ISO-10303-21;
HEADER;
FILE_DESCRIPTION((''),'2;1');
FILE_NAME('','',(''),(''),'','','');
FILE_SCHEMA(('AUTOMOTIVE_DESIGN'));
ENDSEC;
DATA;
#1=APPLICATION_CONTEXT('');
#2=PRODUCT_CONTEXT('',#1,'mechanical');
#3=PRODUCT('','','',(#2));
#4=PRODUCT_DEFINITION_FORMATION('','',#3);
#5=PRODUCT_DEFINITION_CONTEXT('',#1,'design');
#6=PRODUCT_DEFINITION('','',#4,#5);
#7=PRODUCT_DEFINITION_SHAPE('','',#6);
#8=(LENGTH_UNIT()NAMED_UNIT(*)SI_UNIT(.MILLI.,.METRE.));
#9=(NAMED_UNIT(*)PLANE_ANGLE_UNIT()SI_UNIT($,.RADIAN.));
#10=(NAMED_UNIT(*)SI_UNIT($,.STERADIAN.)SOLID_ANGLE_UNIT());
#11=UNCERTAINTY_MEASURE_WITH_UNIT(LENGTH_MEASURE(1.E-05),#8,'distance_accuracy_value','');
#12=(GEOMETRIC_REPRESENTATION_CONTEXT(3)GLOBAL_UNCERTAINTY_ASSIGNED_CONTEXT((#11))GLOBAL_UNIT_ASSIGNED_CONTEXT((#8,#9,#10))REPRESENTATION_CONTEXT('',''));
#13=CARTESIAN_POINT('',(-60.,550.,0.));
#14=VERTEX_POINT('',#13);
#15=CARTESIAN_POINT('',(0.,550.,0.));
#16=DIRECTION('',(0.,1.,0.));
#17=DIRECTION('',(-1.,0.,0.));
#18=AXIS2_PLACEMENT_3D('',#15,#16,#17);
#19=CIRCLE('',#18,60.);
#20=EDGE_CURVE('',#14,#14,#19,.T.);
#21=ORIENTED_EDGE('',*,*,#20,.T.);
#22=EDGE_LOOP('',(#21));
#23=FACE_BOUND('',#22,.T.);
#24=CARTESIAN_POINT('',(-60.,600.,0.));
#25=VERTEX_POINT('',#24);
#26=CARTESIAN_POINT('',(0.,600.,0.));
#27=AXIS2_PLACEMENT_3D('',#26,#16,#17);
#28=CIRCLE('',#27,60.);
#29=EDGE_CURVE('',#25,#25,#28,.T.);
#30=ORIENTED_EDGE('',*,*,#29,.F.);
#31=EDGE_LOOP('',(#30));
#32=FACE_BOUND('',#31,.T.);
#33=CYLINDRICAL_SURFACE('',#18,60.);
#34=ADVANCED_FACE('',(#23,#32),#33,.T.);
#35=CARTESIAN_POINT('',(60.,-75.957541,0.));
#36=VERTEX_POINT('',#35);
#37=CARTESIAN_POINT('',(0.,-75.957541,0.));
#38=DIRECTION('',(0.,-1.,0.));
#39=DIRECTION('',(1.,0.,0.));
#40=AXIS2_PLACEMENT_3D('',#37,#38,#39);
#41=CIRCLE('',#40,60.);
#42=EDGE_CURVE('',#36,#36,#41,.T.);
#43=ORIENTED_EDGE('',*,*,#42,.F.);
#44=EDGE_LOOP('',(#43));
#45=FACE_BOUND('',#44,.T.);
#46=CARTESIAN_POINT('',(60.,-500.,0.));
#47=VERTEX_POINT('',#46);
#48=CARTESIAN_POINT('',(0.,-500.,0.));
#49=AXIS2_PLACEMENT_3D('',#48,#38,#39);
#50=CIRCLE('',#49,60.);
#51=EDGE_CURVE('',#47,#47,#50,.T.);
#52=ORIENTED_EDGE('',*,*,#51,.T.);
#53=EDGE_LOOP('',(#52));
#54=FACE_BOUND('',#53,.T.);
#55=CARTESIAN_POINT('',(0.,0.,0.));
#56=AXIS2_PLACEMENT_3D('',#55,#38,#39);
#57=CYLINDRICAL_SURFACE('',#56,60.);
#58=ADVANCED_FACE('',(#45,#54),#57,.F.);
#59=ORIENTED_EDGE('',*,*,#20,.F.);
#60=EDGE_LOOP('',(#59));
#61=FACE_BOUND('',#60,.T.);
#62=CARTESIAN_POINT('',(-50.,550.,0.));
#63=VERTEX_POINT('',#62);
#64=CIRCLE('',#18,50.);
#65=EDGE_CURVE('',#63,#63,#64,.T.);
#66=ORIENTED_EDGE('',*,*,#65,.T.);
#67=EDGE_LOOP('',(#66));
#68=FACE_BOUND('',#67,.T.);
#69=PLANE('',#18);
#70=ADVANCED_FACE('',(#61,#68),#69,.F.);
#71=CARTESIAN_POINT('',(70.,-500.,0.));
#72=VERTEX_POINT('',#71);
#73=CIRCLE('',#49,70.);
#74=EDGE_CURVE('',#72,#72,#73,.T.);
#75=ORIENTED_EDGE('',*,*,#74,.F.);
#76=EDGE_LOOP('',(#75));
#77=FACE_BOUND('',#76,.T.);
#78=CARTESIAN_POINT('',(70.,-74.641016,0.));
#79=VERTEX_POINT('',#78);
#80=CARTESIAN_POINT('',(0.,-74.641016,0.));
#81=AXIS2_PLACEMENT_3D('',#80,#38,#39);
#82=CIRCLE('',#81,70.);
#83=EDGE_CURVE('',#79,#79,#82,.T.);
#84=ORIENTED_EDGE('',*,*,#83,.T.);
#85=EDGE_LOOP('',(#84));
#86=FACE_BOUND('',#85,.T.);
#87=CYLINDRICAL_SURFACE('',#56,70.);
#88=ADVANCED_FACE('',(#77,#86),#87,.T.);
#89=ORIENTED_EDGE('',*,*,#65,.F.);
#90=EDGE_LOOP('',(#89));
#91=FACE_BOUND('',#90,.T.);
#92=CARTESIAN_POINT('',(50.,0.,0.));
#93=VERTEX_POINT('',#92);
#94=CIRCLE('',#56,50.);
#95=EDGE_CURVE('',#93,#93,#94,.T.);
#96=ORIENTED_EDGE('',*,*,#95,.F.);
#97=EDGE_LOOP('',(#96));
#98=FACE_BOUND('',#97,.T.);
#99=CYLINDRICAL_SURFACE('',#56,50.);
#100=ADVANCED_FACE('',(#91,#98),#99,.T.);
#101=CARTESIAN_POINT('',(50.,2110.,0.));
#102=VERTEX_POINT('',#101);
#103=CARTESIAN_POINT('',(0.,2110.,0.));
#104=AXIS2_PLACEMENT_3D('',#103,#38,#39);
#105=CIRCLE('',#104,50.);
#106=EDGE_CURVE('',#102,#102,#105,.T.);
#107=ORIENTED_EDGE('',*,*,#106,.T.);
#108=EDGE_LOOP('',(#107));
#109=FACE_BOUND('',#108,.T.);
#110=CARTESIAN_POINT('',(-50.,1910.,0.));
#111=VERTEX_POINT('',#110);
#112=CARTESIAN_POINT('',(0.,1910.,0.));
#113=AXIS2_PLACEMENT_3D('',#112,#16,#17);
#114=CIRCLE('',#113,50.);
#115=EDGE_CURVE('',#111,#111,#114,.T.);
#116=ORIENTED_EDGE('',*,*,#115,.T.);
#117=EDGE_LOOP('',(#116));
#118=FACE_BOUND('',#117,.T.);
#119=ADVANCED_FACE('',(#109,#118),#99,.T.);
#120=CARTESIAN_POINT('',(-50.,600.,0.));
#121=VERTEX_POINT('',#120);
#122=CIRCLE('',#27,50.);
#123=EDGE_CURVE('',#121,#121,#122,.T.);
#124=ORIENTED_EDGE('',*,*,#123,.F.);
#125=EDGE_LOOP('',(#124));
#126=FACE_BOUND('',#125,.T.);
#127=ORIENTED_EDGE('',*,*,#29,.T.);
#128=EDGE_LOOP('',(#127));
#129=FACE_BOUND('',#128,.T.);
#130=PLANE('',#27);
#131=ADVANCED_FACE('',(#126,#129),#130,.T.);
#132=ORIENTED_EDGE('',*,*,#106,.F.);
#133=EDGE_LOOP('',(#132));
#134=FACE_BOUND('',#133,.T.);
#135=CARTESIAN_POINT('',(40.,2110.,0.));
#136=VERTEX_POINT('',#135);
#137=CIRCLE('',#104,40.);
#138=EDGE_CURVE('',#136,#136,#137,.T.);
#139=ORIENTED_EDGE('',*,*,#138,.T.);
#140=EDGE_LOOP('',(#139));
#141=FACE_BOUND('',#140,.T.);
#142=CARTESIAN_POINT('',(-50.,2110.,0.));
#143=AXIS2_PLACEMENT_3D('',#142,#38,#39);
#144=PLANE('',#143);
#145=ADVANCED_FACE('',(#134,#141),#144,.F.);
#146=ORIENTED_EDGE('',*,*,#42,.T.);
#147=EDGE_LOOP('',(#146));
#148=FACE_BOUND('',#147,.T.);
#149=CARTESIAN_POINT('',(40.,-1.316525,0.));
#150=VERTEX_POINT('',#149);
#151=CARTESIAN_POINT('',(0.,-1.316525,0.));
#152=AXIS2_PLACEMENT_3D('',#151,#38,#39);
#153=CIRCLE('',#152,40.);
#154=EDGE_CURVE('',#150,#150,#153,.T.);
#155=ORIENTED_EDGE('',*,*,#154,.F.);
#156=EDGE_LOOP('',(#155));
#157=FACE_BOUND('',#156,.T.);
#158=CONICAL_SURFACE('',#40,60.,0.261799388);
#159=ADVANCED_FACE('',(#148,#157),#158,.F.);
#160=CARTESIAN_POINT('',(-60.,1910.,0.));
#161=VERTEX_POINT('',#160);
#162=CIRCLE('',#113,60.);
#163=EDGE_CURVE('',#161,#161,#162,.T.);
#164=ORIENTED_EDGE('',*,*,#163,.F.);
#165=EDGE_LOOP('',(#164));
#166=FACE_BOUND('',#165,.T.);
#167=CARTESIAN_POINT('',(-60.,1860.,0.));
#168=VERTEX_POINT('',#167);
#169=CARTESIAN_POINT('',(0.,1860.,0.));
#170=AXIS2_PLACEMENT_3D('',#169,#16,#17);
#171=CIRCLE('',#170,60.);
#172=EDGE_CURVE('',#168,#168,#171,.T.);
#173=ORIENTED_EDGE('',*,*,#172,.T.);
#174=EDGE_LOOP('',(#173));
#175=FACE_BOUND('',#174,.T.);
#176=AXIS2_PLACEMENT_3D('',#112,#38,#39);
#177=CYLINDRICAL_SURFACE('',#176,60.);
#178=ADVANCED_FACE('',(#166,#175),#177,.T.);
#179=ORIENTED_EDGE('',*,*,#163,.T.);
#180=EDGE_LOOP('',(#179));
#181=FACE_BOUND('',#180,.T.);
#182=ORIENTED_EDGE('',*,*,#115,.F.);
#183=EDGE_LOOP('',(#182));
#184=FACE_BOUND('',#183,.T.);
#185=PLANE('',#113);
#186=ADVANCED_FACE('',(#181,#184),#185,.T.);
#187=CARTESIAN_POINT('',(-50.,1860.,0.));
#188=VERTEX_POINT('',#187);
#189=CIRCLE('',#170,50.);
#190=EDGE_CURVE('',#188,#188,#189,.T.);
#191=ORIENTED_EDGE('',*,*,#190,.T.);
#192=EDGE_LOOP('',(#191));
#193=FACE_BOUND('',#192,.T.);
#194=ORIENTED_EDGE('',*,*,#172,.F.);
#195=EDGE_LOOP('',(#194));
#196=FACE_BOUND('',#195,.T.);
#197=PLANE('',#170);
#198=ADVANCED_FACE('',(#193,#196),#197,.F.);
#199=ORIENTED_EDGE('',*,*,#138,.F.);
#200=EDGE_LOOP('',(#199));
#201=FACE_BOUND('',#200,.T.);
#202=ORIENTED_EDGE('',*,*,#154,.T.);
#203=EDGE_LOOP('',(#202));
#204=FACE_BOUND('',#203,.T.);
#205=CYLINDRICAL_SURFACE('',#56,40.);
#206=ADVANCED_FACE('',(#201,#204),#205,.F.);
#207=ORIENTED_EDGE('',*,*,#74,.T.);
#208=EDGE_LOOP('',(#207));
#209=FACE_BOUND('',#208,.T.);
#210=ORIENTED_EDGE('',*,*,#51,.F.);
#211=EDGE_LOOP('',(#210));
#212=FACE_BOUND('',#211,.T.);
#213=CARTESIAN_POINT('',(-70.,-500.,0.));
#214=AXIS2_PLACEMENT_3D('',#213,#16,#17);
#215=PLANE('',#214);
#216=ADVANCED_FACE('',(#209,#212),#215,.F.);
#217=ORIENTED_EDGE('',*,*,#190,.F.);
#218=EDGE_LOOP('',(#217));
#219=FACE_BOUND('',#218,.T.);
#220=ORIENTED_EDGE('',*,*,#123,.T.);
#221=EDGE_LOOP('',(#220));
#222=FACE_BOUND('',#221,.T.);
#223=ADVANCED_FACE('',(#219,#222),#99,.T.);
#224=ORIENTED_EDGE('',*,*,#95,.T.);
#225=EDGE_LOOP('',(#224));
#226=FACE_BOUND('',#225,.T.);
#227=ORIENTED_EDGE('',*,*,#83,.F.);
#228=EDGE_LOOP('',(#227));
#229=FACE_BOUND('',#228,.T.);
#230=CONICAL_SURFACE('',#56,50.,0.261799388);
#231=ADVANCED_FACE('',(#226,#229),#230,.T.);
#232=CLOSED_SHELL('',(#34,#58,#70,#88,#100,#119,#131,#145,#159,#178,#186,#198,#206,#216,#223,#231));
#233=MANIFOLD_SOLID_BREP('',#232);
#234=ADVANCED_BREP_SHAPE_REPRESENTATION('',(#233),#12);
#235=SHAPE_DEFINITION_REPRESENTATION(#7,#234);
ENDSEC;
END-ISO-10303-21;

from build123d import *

# Parameters (mm, degrees)
SKETCH3_R           = 60
SKETCH3_R_2         = 40
BOSS_EXTRUDE1_DEPTH = 50
SKETCH4_R           = 60
SKETCH4_R_2         = 40
BOSS_EXTRUDE3_DEPTH = 50


with BuildPart() as part:
    # Sketch1 → Revolve1 (revolve)
    with BuildSketch(Plane.XY):
        Polygon((-70, -74.641016151), (-70, -500), (-60, -500), (-60, -75.957541127), (-40, -1.316524976), (-40, 2110), (-50, 2110), (-50, 0), align=None)
    revolve(axis=Axis((0, 0, 0), (0, 1, 0)))

    # Sketch3 → Boss-Extrude1 (add)
    with BuildSketch(Plane(origin=(0, 1860, 0), x_dir=(1, 0, 0), z_dir=(0, 1, 0))):
        Circle(SKETCH3_R)
        Circle(SKETCH3_R_2, mode=Mode.SUBTRACT)
    extrude(amount=BOSS_EXTRUDE1_DEPTH)

    # Sketch4 → Boss-Extrude3 (add)
    with BuildSketch(Plane(origin=(0, 600, 0), x_dir=(1, 0, 0), z_dir=(0, 1, 0))):
        Circle(SKETCH4_R)
        Circle(SKETCH4_R_2, mode=Mode.SUBTRACT)
    extrude(amount=-BOSS_EXTRUDE3_DEPTH)


solid = part.part
